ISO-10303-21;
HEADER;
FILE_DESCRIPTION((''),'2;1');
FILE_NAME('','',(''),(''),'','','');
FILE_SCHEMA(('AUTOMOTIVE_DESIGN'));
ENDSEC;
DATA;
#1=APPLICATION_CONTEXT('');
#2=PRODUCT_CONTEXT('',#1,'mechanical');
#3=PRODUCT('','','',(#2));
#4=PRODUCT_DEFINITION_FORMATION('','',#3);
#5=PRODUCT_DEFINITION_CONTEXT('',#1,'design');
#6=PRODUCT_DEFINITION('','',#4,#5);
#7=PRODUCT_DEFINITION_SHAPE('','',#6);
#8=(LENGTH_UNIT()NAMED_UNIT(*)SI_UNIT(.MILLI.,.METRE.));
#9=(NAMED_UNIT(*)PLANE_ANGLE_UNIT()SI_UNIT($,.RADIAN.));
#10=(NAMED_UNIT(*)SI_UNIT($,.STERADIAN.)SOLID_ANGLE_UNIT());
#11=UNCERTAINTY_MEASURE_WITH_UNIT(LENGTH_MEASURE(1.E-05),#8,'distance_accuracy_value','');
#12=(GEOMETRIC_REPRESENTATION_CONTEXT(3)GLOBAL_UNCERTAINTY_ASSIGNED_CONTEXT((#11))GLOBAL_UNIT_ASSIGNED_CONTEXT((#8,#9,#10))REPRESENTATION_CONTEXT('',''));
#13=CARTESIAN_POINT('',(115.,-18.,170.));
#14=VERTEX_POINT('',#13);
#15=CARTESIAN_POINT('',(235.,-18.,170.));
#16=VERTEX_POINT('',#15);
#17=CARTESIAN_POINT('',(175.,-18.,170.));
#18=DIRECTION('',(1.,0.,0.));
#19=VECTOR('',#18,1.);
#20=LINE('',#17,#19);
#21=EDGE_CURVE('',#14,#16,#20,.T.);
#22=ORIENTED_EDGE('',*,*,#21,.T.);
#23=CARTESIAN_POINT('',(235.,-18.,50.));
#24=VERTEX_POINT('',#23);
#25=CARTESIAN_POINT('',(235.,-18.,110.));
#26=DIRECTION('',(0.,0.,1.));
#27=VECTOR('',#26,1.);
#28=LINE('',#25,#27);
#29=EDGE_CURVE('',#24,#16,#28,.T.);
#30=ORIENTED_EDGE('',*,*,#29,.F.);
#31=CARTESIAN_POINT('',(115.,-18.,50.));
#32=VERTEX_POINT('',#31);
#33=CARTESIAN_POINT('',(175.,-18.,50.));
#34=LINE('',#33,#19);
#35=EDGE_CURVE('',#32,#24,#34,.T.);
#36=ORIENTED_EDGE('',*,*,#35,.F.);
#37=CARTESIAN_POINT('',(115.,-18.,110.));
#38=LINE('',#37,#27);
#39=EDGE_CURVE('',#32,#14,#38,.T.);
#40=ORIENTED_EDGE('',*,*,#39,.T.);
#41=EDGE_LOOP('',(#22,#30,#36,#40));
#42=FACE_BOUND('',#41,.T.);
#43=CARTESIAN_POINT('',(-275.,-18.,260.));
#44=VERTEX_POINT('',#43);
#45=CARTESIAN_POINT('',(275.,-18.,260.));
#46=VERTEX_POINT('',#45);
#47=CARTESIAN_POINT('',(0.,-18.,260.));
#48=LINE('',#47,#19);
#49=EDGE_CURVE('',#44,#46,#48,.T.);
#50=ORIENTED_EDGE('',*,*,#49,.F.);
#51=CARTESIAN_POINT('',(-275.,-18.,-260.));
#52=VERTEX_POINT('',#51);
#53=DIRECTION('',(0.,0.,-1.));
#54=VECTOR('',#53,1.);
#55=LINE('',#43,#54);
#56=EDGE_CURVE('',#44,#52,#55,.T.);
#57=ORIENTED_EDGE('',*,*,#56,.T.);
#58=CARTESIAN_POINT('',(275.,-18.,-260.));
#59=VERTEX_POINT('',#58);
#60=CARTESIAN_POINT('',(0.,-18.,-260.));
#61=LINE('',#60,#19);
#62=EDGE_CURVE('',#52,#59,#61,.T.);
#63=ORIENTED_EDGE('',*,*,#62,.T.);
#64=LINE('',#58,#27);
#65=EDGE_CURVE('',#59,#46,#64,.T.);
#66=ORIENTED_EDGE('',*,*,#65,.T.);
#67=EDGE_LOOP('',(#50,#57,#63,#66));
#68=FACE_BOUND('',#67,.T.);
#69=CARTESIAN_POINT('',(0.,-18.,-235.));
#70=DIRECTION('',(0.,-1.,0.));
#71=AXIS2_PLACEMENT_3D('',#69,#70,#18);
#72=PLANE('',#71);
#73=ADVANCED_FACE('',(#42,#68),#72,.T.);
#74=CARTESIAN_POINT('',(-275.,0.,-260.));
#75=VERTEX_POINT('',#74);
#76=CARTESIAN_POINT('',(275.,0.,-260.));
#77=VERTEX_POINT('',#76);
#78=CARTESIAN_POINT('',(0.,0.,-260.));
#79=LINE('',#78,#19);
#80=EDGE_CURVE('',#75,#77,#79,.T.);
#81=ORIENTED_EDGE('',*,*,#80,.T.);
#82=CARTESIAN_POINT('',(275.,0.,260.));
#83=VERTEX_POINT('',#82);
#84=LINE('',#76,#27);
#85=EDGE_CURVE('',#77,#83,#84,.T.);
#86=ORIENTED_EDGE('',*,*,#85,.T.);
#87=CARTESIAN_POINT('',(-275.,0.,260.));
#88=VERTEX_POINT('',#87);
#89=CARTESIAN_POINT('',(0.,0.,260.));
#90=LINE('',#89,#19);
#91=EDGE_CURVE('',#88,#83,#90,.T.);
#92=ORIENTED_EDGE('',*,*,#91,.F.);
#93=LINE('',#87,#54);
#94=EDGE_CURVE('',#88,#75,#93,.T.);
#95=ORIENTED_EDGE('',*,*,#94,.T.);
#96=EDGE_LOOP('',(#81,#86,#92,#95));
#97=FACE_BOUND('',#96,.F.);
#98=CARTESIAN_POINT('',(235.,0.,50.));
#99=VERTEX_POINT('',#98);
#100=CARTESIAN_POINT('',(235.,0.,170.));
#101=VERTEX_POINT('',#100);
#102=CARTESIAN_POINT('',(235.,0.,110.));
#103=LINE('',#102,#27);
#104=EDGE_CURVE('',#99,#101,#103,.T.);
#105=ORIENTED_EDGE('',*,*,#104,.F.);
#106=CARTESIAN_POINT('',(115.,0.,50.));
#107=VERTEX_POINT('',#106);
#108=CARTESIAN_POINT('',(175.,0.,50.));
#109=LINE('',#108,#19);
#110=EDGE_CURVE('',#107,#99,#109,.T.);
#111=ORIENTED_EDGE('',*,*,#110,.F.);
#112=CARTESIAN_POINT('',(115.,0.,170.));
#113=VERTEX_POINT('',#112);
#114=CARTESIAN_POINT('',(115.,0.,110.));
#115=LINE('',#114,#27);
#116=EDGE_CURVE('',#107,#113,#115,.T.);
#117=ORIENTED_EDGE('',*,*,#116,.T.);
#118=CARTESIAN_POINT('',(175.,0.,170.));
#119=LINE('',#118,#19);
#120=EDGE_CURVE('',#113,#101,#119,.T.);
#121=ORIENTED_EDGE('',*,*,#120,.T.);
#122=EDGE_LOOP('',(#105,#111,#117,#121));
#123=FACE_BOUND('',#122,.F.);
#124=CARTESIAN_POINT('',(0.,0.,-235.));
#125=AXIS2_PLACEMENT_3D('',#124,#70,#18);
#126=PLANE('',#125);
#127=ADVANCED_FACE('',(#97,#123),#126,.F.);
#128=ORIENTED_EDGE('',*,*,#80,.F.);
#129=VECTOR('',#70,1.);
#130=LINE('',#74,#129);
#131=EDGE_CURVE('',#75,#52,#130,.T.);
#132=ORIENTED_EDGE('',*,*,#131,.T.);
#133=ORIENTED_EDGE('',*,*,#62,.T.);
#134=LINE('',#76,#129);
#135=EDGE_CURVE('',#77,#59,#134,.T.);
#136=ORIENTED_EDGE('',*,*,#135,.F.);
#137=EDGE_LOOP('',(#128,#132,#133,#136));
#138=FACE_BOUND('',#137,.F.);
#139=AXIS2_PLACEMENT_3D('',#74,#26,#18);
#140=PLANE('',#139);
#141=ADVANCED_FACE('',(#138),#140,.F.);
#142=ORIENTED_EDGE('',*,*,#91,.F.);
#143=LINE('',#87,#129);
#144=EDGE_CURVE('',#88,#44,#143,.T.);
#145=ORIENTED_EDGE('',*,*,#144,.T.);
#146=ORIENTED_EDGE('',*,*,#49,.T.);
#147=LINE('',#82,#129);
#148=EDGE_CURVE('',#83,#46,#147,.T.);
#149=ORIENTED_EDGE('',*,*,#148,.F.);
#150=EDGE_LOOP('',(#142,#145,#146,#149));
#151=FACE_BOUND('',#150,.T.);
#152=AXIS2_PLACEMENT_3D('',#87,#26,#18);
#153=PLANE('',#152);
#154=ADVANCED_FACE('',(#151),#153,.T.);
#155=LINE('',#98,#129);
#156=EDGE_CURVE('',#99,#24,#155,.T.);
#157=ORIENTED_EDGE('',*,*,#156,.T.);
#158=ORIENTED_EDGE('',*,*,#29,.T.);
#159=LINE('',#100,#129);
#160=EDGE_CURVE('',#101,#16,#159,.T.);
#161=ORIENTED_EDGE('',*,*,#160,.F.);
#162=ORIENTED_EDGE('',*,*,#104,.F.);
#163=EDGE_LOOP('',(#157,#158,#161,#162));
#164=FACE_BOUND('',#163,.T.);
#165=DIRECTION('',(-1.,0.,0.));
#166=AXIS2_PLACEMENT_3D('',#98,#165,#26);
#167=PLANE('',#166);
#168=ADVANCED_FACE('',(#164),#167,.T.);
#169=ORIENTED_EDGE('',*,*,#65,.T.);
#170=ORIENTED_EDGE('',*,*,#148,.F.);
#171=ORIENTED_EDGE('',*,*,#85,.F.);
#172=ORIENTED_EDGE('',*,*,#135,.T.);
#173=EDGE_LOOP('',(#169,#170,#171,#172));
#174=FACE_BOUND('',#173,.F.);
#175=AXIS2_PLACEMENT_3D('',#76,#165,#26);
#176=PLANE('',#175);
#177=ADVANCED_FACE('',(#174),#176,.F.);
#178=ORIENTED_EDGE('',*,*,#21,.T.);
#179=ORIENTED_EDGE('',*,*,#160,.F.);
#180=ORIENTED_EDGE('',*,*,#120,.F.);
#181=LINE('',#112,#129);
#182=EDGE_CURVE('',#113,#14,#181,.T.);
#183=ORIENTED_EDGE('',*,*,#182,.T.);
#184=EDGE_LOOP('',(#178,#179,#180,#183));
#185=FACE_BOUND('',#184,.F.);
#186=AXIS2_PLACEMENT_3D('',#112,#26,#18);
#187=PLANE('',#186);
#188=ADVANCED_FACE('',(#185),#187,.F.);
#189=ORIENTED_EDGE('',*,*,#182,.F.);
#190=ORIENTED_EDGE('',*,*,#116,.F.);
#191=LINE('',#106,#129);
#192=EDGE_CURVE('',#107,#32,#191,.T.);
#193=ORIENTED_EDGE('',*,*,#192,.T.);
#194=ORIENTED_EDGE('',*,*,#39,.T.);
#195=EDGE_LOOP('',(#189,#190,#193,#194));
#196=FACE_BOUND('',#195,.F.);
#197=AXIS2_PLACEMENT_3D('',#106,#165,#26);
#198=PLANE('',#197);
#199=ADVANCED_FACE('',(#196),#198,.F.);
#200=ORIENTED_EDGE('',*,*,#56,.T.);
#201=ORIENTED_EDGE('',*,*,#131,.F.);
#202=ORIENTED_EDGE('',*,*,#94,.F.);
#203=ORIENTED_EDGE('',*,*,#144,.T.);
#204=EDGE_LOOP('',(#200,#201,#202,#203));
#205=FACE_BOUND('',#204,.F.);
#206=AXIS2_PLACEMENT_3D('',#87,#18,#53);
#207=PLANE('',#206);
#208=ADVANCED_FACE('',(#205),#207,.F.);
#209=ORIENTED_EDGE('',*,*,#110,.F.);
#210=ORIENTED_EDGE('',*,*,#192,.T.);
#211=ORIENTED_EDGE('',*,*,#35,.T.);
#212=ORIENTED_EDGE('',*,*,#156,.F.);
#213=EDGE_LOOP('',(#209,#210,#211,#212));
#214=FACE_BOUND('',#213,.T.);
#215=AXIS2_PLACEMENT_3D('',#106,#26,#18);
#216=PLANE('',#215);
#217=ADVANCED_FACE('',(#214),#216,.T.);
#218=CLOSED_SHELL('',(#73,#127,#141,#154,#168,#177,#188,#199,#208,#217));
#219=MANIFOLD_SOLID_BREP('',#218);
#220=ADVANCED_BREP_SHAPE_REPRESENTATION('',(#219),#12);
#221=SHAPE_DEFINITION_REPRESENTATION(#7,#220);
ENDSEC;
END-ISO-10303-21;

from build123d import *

# Parameters (mm, degrees)
F0_W     = 550
F0_H     = 50
F0_H_2   = 420
F0_W_2   = 120
F0_H_3   = 120
F1_DEPTH = 18


with BuildPart() as f1:
    # F0 (on Front) → F1 (new body)
    with BuildSketch(Plane.XZ):
        with Locations((0, -235)):
            Rectangle(F0_W, F0_H)
        Rectangle(F0_W, F0_H_2)
        with Locations((175, 110)):
            Rectangle(F0_W_2, F0_H_3, mode=Mode.SUBTRACT)
        with Locations((0, 235)):
            Rectangle(F0_W, F0_H)
    extrude(amount=F1_DEPTH)


solid = f1.part
